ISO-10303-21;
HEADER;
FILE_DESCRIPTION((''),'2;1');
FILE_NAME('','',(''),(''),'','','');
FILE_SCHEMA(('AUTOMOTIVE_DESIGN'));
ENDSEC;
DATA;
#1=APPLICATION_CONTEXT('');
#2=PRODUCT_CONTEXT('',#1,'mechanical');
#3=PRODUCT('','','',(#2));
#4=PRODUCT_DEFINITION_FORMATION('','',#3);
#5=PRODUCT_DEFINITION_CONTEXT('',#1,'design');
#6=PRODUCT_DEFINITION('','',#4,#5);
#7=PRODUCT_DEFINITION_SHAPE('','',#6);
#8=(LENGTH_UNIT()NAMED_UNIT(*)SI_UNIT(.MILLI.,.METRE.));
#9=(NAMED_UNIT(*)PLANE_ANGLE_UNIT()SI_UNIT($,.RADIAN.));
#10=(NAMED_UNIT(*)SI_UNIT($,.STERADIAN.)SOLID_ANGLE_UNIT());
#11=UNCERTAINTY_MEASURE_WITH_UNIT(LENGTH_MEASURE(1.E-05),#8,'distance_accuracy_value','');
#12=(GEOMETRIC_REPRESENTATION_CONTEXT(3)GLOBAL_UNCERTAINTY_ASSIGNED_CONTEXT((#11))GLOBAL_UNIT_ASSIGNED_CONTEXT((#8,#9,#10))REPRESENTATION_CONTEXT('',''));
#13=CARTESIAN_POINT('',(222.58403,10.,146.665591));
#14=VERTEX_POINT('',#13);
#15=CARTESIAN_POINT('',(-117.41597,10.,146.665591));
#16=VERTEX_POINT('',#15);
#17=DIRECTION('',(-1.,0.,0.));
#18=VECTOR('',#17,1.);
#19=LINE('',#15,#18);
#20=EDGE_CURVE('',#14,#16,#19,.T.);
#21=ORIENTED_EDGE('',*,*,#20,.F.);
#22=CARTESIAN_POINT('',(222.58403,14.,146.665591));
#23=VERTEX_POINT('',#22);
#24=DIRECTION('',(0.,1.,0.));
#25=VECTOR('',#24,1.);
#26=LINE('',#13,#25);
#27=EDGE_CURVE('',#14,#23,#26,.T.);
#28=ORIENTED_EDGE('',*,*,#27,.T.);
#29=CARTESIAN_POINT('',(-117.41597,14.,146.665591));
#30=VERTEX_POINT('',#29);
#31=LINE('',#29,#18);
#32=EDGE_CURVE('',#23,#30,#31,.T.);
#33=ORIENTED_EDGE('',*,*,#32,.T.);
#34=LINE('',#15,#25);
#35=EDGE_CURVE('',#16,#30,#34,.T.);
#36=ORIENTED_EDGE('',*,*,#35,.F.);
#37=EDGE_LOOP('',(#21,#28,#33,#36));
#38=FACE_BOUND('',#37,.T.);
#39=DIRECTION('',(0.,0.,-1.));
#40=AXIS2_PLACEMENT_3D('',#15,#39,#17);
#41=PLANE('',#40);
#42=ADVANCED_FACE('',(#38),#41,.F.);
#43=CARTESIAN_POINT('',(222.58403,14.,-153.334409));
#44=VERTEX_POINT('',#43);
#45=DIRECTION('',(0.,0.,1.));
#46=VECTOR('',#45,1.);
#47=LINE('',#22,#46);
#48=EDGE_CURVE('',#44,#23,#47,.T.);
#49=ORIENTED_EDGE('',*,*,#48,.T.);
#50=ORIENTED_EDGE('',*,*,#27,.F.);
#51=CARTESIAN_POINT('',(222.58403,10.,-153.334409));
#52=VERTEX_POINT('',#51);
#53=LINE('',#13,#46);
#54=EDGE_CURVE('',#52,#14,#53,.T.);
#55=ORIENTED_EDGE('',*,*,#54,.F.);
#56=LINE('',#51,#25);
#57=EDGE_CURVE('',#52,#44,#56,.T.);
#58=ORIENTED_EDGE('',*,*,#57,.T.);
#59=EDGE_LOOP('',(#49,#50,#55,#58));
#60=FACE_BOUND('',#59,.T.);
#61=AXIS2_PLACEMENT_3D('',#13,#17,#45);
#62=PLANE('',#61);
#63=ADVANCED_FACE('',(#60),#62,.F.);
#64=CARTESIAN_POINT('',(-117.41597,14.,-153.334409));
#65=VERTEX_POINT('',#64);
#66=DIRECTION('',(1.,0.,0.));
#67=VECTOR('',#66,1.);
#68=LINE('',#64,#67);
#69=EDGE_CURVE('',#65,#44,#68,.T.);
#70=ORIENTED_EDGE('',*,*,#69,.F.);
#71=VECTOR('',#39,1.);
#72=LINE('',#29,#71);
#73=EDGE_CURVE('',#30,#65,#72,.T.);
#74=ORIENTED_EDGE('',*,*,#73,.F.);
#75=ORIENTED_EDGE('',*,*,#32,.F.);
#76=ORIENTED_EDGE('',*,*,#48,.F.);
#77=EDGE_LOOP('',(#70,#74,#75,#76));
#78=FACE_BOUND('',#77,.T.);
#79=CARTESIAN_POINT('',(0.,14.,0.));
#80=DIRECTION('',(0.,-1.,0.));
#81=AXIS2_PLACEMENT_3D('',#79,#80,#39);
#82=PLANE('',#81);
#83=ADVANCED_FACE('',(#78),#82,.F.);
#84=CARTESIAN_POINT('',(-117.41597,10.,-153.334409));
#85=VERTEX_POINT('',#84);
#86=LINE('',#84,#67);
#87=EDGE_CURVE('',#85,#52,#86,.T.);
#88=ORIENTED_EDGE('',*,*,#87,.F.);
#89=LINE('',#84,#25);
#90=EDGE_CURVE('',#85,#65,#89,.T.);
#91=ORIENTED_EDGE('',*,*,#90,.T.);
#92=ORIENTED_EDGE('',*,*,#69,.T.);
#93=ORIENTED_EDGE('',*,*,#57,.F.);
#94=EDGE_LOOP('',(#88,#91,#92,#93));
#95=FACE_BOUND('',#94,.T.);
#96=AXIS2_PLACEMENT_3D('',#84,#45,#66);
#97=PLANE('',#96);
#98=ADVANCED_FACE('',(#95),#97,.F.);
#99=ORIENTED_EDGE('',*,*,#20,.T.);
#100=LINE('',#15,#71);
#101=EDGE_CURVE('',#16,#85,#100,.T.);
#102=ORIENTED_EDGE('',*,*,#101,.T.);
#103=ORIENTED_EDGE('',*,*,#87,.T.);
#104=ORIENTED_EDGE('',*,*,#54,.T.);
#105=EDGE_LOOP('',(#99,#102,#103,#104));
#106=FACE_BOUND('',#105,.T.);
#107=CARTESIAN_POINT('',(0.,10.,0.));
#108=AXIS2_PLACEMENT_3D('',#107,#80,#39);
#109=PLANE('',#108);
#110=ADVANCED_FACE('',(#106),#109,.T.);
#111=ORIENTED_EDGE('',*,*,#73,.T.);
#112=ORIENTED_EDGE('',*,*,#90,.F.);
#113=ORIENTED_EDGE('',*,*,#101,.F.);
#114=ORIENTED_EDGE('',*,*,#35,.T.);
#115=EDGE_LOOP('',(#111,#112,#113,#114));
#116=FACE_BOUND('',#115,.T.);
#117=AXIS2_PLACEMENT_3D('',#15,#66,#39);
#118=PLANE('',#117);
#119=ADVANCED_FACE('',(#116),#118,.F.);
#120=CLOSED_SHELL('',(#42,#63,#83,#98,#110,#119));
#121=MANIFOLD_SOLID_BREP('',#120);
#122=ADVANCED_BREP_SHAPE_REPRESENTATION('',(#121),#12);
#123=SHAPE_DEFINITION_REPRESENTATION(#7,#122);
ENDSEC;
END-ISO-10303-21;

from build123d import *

# Parameters (mm, degrees)
EXTRUDE_1_DEPTH = 4


with BuildPart() as part:
    # Sketch 1 → Бобышка-Вытянуть1 (new body)
    with BuildSketch(Plane(origin=(-117.415970164, 10, 146.665591181), x_dir=(0.7498378553650926, 0, -0.6616216370868463), z_dir=(0, 1, 0))):
        Polygon((0, 0), (254.944870824, -224.95135661), (453.43136195, 0), (198.486491126, 224.95135661), align=None)
    extrude(amount=EXTRUDE_1_DEPTH)


solid = part.part
